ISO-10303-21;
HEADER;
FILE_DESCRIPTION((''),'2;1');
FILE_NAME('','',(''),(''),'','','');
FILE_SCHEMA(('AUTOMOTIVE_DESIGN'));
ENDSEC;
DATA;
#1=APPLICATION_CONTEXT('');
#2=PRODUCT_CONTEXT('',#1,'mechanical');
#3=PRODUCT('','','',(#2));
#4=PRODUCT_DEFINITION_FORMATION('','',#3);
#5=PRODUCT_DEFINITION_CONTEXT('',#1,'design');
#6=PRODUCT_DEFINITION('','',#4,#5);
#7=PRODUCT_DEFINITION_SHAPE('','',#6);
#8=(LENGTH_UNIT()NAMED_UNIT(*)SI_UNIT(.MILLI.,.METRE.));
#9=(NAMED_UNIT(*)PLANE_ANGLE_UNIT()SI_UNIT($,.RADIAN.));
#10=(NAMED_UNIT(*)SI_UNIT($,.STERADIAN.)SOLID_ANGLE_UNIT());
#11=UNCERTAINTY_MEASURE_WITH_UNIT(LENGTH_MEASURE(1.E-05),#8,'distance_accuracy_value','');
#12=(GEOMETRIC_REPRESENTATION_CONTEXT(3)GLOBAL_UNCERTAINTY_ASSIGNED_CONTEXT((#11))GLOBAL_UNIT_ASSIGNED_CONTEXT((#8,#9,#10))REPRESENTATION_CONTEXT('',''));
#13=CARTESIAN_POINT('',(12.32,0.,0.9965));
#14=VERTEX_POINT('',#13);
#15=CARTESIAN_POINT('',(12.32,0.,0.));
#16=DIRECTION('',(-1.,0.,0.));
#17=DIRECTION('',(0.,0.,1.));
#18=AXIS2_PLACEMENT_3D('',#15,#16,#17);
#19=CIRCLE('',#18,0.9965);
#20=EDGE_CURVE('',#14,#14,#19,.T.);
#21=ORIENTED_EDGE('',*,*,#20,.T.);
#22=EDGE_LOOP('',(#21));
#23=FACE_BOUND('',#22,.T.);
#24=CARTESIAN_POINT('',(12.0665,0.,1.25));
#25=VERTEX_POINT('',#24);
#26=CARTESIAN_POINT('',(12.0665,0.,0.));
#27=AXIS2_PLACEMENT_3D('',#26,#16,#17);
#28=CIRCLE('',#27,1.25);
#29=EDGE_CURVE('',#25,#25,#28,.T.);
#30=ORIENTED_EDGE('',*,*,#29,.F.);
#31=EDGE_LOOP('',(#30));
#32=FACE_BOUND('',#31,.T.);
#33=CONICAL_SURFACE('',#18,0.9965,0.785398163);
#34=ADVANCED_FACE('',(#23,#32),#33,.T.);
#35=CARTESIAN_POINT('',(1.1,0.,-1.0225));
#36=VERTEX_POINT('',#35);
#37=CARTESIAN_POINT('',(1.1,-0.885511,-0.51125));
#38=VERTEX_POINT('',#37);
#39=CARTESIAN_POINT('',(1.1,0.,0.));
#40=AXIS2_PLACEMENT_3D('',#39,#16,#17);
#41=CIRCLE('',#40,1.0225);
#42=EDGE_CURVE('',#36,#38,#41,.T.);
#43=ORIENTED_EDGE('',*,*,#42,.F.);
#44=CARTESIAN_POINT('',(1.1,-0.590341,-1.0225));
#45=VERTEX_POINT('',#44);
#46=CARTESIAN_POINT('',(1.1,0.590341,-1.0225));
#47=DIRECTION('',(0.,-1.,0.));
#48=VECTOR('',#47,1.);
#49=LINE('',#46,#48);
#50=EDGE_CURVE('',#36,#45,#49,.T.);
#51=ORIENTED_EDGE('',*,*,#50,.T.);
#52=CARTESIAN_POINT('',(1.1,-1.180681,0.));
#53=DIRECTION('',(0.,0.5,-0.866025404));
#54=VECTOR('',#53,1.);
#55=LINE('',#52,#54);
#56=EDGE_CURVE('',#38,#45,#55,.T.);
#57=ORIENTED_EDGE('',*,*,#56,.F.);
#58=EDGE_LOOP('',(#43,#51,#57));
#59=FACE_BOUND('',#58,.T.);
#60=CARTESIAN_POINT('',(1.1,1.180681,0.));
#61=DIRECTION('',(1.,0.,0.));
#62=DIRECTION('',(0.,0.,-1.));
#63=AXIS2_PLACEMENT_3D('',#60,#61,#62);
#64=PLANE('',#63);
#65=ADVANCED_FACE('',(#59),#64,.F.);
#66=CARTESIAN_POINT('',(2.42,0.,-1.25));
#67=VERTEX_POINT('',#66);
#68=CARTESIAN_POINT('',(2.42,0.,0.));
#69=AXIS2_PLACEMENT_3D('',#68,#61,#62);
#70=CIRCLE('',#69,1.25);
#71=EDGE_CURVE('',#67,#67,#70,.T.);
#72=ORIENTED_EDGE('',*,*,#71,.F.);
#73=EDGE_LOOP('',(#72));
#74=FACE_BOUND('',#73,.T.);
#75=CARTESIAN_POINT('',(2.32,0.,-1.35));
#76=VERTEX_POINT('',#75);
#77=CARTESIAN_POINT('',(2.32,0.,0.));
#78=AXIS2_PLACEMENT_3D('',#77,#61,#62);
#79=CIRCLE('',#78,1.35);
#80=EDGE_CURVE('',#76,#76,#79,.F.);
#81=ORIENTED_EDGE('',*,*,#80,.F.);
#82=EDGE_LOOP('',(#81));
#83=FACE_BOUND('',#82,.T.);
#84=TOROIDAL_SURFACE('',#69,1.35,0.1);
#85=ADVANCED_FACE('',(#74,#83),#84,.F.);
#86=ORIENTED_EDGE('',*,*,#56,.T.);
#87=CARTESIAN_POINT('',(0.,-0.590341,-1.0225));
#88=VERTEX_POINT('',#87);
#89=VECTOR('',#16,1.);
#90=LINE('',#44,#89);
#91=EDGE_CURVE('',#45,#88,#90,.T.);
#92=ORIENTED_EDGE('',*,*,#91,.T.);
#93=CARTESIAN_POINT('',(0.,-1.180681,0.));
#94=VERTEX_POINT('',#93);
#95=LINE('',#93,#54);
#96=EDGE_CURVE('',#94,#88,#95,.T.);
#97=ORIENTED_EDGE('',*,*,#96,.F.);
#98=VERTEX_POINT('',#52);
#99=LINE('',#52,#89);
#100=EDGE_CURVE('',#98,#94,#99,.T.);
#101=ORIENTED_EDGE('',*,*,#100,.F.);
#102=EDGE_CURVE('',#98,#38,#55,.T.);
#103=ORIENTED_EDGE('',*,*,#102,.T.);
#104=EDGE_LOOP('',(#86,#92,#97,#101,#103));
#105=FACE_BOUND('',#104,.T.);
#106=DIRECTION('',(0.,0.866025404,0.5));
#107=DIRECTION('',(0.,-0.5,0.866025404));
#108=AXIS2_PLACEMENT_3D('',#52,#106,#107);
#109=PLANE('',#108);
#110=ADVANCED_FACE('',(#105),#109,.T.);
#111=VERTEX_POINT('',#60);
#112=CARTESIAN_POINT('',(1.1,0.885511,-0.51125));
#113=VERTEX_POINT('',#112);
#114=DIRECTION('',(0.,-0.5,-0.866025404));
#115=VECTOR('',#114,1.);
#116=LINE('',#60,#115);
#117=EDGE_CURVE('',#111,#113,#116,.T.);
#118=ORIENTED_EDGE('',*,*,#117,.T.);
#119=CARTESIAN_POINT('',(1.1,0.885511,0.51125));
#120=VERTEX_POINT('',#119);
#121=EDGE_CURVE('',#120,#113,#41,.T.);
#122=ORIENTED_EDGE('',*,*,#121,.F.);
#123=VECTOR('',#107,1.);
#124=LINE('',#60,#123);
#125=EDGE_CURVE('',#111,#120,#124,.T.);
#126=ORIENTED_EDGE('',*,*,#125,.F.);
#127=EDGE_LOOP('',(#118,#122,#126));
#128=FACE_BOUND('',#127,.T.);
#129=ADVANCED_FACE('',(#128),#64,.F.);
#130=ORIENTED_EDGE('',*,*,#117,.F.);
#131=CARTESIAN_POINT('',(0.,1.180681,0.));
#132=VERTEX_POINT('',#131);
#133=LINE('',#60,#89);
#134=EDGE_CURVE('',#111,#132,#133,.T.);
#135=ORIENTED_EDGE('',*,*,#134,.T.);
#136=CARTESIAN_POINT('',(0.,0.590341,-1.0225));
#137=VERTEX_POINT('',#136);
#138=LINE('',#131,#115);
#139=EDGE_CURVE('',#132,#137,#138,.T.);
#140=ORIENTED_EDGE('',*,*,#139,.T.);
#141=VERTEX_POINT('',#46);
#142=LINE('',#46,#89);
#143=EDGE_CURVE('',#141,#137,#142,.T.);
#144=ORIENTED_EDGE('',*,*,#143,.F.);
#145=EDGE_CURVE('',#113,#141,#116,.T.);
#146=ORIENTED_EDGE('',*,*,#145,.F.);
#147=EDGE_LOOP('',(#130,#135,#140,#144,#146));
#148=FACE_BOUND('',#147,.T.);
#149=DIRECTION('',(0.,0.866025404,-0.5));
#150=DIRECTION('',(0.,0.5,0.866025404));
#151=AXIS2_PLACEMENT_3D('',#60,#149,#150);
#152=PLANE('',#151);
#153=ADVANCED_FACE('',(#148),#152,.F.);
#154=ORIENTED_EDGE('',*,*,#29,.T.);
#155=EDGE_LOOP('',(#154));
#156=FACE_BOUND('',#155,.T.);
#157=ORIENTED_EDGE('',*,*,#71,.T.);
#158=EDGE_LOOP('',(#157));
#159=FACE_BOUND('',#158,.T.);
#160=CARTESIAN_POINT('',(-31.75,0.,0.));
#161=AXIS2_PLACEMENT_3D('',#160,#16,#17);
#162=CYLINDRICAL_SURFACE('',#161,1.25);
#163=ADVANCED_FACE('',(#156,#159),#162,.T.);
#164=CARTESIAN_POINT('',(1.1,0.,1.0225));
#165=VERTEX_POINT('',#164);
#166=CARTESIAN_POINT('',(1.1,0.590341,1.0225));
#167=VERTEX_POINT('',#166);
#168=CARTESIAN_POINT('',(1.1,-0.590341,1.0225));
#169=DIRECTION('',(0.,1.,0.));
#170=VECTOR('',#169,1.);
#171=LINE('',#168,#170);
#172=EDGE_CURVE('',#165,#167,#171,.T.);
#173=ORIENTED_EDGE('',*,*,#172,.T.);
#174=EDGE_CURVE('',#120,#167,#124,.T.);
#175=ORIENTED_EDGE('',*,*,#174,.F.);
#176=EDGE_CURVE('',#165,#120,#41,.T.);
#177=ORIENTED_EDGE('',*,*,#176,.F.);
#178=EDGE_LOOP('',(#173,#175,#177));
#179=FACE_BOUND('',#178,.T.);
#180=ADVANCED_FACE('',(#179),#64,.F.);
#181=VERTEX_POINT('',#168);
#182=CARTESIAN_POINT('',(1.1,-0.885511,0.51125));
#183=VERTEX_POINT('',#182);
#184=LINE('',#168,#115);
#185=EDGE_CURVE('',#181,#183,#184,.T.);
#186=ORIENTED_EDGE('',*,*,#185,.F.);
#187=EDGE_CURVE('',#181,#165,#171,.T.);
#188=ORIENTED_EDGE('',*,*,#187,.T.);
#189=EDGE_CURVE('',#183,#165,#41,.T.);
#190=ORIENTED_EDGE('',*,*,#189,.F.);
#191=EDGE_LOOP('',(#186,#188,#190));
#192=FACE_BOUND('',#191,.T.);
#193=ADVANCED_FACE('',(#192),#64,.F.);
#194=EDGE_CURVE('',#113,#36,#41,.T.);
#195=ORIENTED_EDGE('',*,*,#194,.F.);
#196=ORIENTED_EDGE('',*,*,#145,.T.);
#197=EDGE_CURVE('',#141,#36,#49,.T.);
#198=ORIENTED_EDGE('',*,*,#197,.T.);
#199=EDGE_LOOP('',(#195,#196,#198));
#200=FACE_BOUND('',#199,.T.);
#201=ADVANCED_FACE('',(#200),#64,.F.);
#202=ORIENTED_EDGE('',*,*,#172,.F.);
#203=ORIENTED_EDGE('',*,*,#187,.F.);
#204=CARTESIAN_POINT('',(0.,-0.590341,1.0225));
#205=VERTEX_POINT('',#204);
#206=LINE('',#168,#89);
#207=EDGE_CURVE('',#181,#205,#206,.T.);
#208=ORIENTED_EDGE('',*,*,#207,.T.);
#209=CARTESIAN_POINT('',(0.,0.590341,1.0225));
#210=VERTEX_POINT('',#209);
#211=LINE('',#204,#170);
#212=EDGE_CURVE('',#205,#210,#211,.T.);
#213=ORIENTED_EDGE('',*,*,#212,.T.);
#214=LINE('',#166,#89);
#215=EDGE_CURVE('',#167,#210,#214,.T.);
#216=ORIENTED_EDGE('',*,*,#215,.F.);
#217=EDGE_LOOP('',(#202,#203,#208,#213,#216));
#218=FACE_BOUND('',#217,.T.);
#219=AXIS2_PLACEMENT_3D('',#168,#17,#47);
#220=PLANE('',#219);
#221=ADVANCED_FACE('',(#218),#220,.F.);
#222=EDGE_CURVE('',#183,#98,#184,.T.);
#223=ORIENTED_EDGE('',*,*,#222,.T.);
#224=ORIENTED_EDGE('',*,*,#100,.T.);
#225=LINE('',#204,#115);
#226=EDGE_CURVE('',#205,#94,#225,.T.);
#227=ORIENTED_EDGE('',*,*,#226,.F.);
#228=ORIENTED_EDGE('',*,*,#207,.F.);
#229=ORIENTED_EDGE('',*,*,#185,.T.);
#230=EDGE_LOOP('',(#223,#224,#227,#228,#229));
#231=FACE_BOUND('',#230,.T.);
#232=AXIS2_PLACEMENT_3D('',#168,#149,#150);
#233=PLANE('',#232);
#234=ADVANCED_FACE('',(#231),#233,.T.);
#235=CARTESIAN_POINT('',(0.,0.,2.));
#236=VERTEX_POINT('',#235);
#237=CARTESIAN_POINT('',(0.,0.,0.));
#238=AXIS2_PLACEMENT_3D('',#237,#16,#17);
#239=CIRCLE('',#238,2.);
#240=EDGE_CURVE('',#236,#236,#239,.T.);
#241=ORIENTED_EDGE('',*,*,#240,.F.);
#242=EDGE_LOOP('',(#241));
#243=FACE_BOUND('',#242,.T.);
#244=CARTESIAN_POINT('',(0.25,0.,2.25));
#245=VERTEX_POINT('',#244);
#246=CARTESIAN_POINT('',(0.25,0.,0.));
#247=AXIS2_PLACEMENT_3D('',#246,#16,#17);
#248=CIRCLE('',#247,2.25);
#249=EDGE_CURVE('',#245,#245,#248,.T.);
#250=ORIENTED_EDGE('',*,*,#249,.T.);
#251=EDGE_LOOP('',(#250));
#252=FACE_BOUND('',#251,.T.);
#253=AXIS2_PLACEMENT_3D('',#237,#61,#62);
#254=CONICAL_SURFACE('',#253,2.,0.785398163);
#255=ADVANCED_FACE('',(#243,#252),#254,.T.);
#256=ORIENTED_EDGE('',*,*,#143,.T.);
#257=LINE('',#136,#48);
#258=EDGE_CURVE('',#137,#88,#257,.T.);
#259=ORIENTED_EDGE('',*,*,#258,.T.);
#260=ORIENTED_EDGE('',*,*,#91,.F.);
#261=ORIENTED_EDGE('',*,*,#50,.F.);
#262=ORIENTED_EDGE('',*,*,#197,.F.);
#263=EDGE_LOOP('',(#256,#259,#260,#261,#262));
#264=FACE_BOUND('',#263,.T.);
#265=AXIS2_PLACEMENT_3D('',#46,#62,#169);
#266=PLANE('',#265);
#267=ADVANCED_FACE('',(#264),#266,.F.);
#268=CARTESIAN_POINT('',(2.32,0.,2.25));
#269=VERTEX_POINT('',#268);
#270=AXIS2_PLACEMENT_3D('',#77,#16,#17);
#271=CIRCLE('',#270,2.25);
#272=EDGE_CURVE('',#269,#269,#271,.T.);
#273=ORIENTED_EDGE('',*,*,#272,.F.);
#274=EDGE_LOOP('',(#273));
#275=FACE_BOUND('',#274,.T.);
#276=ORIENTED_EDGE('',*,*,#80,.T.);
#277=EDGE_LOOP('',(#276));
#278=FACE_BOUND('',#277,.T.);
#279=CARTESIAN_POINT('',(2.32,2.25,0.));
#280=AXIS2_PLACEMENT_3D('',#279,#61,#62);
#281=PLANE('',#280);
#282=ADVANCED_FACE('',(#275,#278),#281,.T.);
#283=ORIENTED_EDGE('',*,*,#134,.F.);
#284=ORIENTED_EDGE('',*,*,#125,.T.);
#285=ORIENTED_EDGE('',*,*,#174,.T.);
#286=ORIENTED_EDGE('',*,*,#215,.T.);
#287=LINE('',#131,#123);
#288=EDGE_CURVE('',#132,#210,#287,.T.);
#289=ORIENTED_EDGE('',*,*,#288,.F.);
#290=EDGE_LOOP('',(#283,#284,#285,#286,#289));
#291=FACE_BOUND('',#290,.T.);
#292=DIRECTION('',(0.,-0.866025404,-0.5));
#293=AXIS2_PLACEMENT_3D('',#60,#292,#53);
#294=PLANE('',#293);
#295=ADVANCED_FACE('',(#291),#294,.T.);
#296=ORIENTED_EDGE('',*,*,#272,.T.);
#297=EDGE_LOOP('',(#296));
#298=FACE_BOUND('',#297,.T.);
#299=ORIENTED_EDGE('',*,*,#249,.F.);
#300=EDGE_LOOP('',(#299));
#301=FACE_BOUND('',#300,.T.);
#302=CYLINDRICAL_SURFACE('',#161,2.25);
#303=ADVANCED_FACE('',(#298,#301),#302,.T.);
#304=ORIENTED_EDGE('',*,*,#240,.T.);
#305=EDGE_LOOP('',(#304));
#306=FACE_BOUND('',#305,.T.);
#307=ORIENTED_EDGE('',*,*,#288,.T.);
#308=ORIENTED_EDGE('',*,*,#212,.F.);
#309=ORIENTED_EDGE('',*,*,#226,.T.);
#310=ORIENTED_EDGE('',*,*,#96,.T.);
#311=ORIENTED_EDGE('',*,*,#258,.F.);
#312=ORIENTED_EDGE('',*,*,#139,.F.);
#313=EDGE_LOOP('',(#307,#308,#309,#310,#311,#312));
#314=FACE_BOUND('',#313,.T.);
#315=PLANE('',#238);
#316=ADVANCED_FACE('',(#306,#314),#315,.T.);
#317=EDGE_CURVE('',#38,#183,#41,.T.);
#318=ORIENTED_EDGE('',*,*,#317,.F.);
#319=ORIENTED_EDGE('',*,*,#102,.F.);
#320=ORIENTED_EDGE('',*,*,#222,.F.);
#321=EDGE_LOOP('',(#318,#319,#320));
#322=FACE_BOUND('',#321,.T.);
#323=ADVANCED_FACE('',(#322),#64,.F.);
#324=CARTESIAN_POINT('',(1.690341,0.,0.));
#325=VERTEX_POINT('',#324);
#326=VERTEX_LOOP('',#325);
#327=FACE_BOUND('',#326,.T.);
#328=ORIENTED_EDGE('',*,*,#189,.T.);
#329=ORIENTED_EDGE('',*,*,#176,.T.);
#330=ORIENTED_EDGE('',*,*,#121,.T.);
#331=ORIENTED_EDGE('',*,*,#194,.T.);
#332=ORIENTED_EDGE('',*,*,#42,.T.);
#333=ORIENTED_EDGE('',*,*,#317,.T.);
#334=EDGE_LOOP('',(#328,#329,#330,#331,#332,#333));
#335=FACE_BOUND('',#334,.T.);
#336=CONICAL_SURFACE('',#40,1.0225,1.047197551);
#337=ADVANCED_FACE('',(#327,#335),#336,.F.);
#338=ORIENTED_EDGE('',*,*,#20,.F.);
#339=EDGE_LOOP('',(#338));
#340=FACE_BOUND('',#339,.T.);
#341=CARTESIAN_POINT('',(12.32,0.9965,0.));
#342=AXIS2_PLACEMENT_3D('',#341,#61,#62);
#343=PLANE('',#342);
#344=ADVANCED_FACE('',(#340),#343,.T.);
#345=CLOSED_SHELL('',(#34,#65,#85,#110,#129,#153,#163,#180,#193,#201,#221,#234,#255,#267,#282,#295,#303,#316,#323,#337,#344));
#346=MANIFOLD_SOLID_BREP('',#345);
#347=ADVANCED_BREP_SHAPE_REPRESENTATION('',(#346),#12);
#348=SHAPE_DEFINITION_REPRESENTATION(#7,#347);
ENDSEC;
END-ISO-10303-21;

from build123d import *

# Parameters (mm, degrees)
FILLET1_R   = 0.1
HEX_2_DEPTH = 1.1


with BuildPart() as part:
    # BodySke → Base-Revolve (revolve)
    with BuildSketch(Plane.XY, mode=Mode.PRIVATE) as base_revolve_sk:
        Polygon((0, 0), (0, 2), (0.25, 2.25), (2.32, 2.25), (2.32, 1.25), (12.0665, 1.25), (12.32, 0.9965), (12.32, 0), align=None)
    revolve(base_revolve_sk.sketch.rotate(Axis((-31.75, 0, 0), (1, 0, 0)), 90), axis=Axis((-31.75, 0, 0), (1, 0, 0)))

    # Fillet1
    fillet1_edges = [part.edges().sort_by_distance(p)[0] for p in [
        (2.32, 0, -1.25),
    ]]
    fillet(fillet1_edges, radius=FILLET1_R)

    # Sketch2 → Hex-PreBroach (revolve, cut)
    with BuildSketch(Plane.XY, mode=Mode.PRIVATE) as hex_prebroach_sk:
        Polygon((0, 1.0225), (1.1, 1.0225), (1.69034065, 0), (0, 0), align=None)
    revolve(hex_prebroach_sk.sketch.rotate(Axis((0, 0, 0), (1, 0, 0)), 90), axis=Axis((0, 0, 0), (1, 0, 0)), mode=Mode.SUBTRACT)

    # Sketch3 → Hex 2 (cut)
    with BuildSketch(Plane(origin=(0, 0, 0), x_dir=(0, 0.500000000000001, 0.866025403784438), z_dir=(-1, 0, 0))):
        Polygon((0.59034065, 1.0225), (-0.59034065, 1.0225), (-1.1806813, 0), (-0.59034065, -1.0225), (0.59034065, -1.0225), (1.1806813, 0), align=None)
    extrude(amount=-HEX_2_DEPTH, mode=Mode.SUBTRACT)


solid = part.part
